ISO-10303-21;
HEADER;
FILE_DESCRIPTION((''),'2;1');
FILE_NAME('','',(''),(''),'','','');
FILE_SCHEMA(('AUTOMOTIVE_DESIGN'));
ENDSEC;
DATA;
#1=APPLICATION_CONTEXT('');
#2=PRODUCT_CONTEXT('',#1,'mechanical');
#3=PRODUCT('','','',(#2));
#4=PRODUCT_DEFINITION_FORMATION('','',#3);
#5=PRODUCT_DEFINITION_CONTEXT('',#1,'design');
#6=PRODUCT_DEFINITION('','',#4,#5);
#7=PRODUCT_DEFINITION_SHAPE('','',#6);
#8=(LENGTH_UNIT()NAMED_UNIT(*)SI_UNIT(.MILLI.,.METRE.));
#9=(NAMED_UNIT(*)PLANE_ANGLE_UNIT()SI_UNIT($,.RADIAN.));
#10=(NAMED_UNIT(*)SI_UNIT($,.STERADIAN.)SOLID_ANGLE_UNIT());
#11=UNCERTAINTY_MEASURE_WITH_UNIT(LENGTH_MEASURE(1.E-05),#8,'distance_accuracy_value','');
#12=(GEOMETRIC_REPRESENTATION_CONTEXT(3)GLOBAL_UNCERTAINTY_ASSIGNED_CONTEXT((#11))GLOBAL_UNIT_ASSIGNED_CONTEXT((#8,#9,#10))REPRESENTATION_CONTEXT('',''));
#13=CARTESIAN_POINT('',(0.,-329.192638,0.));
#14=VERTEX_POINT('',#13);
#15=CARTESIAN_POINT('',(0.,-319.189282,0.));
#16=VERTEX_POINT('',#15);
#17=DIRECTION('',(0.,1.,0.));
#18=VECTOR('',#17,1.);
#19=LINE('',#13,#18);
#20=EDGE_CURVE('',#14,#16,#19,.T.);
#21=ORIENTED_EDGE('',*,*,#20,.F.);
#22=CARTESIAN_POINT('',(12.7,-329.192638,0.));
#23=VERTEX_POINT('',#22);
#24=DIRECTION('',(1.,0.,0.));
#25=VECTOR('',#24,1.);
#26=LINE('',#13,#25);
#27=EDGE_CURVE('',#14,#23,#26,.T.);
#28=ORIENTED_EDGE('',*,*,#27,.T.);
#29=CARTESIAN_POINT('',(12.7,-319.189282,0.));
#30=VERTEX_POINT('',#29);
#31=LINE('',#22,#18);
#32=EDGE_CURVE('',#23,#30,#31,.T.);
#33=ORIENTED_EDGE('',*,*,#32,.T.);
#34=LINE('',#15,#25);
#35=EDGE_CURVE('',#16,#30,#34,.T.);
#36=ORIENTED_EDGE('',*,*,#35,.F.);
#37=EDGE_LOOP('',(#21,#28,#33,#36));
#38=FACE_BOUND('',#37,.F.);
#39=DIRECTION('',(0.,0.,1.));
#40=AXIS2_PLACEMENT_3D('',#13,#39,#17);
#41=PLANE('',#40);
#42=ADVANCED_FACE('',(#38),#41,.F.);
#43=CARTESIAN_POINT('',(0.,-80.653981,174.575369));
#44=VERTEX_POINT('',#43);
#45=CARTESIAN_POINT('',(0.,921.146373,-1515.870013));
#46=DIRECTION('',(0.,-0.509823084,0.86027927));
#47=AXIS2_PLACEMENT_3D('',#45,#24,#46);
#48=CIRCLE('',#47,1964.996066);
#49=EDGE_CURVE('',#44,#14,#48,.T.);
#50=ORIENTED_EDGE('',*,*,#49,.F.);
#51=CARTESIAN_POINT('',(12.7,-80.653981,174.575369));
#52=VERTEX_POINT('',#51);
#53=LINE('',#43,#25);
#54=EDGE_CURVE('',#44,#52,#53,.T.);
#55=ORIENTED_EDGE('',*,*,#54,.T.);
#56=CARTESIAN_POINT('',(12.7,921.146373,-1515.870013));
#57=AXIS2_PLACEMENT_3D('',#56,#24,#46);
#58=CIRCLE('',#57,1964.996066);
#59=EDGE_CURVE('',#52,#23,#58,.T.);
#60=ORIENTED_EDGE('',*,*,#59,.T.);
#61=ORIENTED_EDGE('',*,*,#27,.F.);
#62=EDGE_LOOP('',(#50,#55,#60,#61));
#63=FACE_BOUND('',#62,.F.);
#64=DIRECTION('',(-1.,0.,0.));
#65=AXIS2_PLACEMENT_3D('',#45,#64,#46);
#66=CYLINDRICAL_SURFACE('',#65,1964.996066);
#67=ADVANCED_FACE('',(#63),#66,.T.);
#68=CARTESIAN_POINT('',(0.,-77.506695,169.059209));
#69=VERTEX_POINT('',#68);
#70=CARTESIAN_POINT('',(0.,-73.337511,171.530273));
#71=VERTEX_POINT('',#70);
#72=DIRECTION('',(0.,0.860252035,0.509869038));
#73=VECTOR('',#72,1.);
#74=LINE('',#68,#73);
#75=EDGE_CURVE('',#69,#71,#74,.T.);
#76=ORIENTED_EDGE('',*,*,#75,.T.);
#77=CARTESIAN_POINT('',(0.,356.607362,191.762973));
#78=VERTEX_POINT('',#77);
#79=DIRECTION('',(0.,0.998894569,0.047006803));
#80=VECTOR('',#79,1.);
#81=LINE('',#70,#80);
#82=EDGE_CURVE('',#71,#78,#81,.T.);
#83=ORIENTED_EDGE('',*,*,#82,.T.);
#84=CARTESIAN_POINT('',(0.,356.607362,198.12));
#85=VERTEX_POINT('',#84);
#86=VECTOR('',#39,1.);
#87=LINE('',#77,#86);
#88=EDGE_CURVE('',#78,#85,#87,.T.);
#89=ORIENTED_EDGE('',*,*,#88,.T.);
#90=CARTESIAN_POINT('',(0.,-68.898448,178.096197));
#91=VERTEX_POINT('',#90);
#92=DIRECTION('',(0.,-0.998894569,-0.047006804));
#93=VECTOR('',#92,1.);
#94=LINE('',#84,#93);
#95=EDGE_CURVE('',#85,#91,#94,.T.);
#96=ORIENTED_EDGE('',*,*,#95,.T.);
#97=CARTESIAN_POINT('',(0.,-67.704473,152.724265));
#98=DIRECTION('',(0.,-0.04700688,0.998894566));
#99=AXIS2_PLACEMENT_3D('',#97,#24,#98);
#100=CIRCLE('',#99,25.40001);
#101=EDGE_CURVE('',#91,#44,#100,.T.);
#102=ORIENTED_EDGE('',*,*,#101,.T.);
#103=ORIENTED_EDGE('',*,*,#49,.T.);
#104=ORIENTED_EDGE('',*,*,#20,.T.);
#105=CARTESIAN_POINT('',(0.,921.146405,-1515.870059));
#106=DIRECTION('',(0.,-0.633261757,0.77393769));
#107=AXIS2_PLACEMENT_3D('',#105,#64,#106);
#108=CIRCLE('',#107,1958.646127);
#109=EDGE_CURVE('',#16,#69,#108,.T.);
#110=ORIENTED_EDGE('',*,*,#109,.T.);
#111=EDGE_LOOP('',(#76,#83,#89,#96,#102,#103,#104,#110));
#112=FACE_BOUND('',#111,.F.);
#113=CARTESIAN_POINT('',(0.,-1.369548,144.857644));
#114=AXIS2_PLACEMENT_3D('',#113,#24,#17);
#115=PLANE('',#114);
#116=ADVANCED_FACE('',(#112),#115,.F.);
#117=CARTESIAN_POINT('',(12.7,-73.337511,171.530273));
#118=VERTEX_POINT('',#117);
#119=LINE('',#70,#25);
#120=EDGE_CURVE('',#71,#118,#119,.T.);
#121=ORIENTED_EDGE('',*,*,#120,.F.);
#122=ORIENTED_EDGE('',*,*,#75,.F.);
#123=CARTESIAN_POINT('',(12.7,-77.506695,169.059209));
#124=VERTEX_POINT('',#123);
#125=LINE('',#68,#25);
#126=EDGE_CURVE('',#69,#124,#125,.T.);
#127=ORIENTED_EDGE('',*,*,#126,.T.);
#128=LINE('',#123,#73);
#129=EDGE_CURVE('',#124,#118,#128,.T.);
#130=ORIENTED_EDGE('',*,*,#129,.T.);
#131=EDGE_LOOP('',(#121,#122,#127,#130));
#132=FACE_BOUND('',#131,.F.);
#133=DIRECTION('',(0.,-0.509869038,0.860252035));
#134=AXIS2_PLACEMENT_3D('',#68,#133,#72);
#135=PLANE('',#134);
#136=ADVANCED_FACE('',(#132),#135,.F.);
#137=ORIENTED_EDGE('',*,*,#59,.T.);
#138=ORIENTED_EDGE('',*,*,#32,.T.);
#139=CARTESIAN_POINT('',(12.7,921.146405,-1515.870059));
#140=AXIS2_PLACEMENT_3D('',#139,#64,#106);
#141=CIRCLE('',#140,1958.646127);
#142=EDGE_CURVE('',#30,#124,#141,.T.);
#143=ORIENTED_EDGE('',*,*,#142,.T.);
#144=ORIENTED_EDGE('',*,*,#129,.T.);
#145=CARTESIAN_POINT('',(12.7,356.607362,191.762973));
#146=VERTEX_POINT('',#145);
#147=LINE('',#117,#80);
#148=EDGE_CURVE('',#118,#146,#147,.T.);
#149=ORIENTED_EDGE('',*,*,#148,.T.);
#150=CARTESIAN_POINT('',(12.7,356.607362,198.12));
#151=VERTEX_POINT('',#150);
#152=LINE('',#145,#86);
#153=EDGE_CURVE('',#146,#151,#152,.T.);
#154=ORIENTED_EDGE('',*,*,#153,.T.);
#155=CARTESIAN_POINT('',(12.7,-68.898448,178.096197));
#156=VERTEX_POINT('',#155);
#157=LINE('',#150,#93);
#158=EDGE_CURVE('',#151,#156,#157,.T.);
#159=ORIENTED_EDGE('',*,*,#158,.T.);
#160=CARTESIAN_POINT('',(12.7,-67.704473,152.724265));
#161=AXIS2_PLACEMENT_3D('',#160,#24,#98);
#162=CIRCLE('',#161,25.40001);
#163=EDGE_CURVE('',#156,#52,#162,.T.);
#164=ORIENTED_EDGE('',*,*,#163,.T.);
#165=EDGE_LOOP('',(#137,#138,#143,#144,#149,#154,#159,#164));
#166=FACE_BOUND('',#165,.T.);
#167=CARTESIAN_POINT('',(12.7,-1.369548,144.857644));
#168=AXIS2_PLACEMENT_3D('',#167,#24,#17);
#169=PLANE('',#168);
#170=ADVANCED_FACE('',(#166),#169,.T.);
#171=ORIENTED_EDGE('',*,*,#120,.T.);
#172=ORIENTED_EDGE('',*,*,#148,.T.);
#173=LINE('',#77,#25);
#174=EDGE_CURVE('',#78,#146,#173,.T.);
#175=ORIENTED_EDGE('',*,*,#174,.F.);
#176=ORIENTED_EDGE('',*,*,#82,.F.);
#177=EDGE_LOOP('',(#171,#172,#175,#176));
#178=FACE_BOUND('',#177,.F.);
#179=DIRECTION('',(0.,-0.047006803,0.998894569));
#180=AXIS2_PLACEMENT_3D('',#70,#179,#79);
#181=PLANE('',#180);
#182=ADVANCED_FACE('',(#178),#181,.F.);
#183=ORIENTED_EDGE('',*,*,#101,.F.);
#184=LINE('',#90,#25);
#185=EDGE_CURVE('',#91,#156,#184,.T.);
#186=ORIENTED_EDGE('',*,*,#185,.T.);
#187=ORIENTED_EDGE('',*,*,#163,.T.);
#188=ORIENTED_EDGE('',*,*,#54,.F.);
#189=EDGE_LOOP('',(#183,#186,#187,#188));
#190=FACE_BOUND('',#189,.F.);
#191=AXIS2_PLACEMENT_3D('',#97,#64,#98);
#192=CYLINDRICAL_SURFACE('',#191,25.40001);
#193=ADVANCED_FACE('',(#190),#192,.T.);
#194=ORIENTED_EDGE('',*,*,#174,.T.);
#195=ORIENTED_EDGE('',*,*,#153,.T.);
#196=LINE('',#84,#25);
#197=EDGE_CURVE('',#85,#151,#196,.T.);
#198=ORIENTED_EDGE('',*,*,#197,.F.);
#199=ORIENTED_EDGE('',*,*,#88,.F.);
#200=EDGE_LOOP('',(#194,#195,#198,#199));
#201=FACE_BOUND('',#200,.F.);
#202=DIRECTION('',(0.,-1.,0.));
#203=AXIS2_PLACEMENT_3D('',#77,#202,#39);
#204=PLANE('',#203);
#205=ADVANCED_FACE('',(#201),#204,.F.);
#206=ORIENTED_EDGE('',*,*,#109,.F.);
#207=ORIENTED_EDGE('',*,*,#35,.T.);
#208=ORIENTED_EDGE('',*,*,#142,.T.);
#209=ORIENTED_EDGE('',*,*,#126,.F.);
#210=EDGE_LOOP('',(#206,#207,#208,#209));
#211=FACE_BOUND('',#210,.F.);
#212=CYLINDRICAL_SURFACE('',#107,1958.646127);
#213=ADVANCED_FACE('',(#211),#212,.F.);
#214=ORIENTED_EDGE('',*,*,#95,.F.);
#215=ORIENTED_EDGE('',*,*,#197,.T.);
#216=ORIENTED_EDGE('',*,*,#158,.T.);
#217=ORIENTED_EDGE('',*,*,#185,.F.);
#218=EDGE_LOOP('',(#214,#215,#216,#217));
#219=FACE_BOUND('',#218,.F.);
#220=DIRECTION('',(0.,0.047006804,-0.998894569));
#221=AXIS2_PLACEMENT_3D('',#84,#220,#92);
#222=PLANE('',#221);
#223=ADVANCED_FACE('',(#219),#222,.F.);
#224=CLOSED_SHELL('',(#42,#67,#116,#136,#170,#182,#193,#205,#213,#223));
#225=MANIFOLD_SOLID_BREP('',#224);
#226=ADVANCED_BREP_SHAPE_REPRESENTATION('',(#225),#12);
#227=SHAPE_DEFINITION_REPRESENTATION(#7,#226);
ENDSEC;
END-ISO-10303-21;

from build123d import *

# Parameters (mm, degrees)
F1_DEPTH = 12.7


with BuildPart() as f1:
    # F0 (on Right) → F1 (new body)
    with BuildSketch(Plane.YZ):
        with BuildLine():
            ThreePointArc((-68.898448, 178.096197), (-74.992037, 177.056382), (-80.653981, 174.575369))
            ThreePointArc((-80.653981, 174.575369), (-208.301311, 92.096861), (-329.192638, 0))
            Line((-329.192638, 0), (-319.189282, 0))
            ThreePointArc((-319.189282, 0), (-201.534739, 89.085299), (-77.506695, 169.059209))
            Line((-77.506695, 169.059209), (-73.337511, 171.530273))
            Line((-73.337511, 171.530273), (356.607362, 191.762973))
            Line((356.607362, 191.762973), (356.607362, 198.12))
            Line((356.607362, 198.12), (-68.898448, 178.096197))
        make_face()
    extrude(amount=F1_DEPTH)


solid = f1.part
